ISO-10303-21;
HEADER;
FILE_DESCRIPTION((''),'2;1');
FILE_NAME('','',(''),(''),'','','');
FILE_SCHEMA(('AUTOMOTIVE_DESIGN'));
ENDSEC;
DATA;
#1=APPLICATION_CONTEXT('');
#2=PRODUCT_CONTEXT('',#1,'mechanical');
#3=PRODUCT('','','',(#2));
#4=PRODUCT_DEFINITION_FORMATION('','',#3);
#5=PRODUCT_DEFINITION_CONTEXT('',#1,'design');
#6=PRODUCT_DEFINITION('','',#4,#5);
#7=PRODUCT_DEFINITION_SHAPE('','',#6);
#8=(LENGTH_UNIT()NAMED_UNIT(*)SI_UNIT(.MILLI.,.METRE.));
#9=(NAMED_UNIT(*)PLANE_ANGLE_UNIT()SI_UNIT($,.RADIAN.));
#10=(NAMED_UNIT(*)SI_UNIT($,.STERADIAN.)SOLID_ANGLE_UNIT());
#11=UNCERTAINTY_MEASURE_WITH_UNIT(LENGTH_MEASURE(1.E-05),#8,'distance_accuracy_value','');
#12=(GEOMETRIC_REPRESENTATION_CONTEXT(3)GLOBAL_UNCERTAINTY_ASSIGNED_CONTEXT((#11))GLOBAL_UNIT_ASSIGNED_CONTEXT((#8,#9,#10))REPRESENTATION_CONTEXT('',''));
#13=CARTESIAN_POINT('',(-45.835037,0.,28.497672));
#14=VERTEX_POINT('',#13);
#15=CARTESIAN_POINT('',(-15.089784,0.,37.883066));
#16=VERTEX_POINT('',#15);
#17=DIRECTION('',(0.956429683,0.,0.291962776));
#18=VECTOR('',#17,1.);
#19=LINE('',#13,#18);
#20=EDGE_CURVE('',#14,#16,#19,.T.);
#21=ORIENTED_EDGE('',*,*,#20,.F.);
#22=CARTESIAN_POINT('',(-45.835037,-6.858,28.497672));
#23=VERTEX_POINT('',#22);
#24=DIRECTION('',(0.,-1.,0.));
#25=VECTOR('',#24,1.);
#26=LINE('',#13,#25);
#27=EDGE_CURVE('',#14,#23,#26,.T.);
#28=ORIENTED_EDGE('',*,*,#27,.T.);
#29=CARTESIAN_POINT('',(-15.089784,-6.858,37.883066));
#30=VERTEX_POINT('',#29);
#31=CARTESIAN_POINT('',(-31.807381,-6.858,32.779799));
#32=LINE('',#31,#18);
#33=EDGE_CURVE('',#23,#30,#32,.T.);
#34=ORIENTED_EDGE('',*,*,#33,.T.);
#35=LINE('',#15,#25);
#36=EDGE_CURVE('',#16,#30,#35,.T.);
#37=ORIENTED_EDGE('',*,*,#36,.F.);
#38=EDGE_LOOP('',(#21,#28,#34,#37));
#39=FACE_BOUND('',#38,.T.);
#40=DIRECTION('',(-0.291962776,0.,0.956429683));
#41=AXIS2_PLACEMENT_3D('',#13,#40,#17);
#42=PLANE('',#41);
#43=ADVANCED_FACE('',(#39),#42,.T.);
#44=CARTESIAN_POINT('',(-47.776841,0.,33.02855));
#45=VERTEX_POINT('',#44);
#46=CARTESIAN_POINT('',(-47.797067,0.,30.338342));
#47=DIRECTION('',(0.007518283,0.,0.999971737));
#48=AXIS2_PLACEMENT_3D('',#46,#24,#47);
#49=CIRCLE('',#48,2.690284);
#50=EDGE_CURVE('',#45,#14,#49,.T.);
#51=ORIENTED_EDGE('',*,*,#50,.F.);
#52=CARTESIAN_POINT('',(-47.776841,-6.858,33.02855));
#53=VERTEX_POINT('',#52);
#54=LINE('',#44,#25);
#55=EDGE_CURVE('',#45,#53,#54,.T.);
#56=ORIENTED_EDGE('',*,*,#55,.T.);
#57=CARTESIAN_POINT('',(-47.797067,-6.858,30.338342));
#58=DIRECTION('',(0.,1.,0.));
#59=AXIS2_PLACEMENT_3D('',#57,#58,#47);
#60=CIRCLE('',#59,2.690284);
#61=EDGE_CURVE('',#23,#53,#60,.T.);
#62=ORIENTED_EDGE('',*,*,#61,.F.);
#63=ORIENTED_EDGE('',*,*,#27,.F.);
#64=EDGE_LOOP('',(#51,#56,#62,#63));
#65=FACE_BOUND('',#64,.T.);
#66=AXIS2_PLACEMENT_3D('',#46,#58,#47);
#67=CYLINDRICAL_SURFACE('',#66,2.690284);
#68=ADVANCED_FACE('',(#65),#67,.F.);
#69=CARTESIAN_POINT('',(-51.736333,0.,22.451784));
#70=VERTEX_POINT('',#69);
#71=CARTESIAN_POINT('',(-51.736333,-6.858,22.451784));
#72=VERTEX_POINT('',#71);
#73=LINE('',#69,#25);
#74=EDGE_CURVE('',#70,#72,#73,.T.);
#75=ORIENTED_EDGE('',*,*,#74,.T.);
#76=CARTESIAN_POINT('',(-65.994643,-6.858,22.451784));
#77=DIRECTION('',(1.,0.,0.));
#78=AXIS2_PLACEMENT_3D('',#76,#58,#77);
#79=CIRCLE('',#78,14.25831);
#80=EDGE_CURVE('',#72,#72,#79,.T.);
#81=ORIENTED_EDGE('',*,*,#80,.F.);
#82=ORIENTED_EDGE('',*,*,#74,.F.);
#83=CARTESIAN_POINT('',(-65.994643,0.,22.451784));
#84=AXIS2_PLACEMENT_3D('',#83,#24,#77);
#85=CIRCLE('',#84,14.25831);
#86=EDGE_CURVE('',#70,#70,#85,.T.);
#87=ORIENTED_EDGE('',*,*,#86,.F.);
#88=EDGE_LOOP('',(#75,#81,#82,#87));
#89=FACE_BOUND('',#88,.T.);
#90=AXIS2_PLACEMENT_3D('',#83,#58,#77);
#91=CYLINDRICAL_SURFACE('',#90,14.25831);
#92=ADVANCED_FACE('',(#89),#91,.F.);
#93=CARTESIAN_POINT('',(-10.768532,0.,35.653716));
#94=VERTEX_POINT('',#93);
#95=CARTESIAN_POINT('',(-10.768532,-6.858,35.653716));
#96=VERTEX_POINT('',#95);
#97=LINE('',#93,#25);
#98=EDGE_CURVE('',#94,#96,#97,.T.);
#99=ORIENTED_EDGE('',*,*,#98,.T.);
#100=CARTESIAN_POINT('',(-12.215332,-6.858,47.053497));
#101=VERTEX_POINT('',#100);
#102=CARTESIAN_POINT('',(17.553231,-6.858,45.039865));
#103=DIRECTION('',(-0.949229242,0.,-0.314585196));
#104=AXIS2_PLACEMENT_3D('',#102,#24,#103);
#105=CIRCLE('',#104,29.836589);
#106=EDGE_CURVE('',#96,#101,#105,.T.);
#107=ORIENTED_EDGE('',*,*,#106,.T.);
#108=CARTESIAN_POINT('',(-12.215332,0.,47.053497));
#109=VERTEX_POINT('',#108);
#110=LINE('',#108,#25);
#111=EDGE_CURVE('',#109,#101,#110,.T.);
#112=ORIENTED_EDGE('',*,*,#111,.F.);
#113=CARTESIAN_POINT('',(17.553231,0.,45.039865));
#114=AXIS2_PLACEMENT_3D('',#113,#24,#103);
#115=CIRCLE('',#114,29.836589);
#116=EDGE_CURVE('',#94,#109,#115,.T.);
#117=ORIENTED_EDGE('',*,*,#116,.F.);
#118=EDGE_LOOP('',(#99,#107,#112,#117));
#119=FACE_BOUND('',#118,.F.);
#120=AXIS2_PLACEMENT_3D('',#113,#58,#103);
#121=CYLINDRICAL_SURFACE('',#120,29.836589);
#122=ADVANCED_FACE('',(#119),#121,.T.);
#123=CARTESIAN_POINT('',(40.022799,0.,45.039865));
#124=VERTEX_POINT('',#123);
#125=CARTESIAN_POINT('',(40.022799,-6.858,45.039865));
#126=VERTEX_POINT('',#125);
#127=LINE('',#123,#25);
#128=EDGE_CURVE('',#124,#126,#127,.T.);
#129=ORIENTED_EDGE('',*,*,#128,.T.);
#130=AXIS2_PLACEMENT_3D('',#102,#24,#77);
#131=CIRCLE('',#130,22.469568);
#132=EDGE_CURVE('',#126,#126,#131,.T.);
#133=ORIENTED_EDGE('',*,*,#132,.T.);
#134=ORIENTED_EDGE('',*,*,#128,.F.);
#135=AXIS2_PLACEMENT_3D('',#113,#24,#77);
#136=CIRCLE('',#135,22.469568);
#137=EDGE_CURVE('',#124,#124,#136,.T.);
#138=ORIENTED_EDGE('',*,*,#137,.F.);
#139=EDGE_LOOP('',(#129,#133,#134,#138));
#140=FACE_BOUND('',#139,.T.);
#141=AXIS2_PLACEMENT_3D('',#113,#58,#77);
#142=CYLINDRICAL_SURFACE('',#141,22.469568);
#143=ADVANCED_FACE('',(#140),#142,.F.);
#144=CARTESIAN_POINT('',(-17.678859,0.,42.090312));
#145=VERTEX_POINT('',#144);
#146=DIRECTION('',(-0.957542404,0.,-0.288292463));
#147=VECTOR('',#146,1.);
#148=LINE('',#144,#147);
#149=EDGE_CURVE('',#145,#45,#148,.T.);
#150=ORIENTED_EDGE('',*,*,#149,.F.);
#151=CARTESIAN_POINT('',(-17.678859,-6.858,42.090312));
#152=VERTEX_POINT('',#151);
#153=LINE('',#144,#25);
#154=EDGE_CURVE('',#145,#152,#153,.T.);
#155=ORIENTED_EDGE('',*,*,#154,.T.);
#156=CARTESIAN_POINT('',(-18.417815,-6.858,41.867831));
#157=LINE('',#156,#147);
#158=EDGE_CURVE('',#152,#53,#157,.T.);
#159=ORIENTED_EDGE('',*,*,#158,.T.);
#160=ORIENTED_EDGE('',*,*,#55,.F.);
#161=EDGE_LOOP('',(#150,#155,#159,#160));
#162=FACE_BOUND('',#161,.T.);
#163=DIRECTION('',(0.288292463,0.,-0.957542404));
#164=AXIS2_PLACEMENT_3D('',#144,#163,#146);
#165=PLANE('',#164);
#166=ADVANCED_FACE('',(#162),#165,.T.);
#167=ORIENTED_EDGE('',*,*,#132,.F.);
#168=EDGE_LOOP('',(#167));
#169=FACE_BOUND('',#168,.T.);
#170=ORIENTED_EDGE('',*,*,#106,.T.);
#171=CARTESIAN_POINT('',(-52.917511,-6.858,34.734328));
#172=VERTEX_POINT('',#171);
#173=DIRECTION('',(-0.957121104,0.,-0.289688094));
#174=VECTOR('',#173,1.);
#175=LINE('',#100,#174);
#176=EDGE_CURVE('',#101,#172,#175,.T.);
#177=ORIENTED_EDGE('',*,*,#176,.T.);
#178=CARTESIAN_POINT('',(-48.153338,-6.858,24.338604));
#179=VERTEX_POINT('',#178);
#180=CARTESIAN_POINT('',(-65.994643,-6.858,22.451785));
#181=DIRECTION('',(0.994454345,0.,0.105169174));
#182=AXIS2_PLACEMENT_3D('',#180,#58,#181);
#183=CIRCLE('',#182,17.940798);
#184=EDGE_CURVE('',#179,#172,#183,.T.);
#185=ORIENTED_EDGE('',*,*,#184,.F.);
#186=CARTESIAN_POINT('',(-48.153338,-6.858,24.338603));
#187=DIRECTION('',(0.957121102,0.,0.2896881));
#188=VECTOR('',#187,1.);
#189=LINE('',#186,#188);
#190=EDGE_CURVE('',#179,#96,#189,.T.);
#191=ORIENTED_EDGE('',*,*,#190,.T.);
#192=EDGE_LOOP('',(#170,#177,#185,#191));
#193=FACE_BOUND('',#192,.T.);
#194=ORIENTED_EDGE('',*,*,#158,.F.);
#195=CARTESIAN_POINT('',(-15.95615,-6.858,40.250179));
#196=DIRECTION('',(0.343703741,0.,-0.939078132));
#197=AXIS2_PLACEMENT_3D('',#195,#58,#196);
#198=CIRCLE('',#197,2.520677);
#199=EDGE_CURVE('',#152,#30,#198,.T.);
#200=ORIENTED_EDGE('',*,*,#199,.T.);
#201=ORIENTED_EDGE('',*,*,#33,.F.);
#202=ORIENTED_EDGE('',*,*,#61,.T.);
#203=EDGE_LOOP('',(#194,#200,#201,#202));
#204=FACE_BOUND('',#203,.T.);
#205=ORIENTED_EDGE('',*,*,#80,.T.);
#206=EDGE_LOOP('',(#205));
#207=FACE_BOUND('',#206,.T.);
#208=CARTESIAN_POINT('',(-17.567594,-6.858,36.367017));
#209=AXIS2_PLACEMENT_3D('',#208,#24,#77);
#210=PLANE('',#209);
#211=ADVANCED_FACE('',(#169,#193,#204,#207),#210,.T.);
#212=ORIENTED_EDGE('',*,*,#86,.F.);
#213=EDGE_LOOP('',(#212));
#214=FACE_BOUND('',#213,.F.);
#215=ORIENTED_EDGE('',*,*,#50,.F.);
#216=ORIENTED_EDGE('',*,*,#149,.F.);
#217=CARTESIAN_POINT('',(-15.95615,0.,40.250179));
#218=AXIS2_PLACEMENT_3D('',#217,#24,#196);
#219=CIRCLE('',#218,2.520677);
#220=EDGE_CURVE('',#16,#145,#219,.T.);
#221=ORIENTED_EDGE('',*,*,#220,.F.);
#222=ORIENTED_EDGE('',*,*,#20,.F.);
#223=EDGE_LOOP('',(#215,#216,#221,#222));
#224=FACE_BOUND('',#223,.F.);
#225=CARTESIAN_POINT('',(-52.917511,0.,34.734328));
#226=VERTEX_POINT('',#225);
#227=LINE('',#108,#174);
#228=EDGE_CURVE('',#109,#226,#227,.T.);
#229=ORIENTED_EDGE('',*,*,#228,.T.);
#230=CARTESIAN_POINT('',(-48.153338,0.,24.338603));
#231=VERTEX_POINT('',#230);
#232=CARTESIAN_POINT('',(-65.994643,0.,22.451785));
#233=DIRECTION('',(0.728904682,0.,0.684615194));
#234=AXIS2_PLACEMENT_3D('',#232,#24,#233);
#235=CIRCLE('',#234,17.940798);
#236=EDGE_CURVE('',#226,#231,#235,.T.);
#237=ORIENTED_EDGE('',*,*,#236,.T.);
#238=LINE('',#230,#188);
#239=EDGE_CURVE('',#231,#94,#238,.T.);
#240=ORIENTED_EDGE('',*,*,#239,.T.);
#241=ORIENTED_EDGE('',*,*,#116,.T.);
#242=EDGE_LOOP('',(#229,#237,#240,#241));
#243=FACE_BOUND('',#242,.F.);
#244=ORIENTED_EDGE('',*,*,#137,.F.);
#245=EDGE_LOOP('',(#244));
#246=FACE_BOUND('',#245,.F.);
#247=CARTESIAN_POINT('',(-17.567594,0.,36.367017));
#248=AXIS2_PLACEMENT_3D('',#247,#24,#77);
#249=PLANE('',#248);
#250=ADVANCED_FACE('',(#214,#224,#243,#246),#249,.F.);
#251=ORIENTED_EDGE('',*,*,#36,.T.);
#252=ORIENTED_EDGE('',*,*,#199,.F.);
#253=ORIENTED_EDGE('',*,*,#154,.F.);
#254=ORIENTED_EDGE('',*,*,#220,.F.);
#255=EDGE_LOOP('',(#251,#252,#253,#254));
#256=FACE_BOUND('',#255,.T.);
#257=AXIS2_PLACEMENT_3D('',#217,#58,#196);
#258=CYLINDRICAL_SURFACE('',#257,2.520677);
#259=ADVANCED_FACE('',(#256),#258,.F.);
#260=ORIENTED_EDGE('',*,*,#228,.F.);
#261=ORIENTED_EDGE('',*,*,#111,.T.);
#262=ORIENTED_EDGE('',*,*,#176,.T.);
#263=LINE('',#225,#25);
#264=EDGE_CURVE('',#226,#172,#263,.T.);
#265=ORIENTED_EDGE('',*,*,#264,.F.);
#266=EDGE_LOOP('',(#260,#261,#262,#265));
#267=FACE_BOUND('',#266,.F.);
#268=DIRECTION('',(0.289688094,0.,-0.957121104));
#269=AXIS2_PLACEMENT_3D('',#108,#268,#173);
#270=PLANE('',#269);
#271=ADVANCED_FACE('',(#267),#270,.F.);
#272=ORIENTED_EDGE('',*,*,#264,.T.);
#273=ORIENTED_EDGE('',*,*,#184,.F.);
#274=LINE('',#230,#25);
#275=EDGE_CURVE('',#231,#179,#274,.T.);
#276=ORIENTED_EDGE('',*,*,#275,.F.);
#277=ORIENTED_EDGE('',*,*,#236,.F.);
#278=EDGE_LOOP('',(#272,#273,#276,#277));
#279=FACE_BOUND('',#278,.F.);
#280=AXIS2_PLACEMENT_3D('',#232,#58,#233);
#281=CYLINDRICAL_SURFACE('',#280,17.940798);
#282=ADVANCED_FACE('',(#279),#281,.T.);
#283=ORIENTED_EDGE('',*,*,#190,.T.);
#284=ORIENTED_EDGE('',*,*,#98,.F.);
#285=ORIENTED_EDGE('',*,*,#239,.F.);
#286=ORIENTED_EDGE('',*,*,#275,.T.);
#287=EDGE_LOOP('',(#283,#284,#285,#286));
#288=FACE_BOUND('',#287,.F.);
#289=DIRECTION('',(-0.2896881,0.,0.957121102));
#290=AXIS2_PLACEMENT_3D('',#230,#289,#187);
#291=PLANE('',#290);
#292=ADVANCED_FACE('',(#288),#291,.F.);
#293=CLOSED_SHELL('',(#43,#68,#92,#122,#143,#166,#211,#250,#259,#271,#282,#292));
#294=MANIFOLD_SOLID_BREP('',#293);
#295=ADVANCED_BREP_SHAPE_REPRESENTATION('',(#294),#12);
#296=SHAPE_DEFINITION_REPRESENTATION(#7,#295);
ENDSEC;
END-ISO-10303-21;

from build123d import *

# Parameters (mm, degrees)
F0_R        = 14.25831
F0_R_2      = 22.469568
F1_DEPTH    = 6.858
F1_FACE_R   = 14.25831
F1_FACE_R_2 = 22.469568
F3_DEPTH    = 51.562


with BuildPart() as f1:
    # F0 (on Front) → F1 (new body)
    with BuildSketch(Plane.XZ):
        with BuildLine():
            Line((-12.215332, 47.053497), (-52.917511, 34.734328))
            ThreePointArc((-52.917511, 34.734328), (-82.304308, 14.977358), (-48.153338, 24.338603))
            Line((-48.153338, 24.338603), (-10.768532, 35.653716))
            ThreePointArc((-10.768532, 35.653716), (47.15239, 48.796433), (-12.215332, 47.053497))
        make_face()
        with Locations((-65.994643, 22.451784)):
            Circle(F0_R, mode=Mode.SUBTRACT)
        with Locations((17.553231, 45.039865)):
            Circle(F0_R_2, mode=Mode.SUBTRACT)
    extrude(amount=F1_DEPTH)

    # F2 (on Front) + F1_face (on face) → F3 (cut)
    with BuildSketch(Plane.XZ):
        with BuildLine():
            Line((-17.678859, 42.090312), (-47.776841, 33.02855))
            ThreePointArc((-47.776841, 33.02855), (-50.269829, 29.278588), (-45.835037, 28.497672))
            Line((-45.835037, 28.497672), (-15.089784, 37.883066))
            ThreePointArc((-15.089784, 37.883066), (-13.809394, 41.571259), (-17.678859, 42.090312))
        make_face()
    with BuildSketch(Plane(origin=(-8.49041, -6.858, 38.801754), x_dir=(1, 0, 0), z_dir=(0, -1, 0))):
        with BuildLine():
            Line((-39.662928, -14.46315), (-2.278122, -3.148038))
            ThreePointArc((-2.278122, -3.148038), (55.6428, 9.99468), (-3.724922, 8.251743))
            Line((-3.724922, 8.251743), (-44.427102, -4.067426))
            ThreePointArc((-44.427102, -4.067426), (-73.813899, -23.824395), (-39.662928, -14.46315))
        make_face()
        with Locations((-57.504233, -16.349969)):
            Circle(F1_FACE_R, mode=Mode.SUBTRACT)
        with Locations((26.043641, 6.238111)):
            Circle(F1_FACE_R_2, mode=Mode.SUBTRACT)
    extrude(amount=F3_DEPTH, mode=Mode.SUBTRACT)


solid = f1.part
